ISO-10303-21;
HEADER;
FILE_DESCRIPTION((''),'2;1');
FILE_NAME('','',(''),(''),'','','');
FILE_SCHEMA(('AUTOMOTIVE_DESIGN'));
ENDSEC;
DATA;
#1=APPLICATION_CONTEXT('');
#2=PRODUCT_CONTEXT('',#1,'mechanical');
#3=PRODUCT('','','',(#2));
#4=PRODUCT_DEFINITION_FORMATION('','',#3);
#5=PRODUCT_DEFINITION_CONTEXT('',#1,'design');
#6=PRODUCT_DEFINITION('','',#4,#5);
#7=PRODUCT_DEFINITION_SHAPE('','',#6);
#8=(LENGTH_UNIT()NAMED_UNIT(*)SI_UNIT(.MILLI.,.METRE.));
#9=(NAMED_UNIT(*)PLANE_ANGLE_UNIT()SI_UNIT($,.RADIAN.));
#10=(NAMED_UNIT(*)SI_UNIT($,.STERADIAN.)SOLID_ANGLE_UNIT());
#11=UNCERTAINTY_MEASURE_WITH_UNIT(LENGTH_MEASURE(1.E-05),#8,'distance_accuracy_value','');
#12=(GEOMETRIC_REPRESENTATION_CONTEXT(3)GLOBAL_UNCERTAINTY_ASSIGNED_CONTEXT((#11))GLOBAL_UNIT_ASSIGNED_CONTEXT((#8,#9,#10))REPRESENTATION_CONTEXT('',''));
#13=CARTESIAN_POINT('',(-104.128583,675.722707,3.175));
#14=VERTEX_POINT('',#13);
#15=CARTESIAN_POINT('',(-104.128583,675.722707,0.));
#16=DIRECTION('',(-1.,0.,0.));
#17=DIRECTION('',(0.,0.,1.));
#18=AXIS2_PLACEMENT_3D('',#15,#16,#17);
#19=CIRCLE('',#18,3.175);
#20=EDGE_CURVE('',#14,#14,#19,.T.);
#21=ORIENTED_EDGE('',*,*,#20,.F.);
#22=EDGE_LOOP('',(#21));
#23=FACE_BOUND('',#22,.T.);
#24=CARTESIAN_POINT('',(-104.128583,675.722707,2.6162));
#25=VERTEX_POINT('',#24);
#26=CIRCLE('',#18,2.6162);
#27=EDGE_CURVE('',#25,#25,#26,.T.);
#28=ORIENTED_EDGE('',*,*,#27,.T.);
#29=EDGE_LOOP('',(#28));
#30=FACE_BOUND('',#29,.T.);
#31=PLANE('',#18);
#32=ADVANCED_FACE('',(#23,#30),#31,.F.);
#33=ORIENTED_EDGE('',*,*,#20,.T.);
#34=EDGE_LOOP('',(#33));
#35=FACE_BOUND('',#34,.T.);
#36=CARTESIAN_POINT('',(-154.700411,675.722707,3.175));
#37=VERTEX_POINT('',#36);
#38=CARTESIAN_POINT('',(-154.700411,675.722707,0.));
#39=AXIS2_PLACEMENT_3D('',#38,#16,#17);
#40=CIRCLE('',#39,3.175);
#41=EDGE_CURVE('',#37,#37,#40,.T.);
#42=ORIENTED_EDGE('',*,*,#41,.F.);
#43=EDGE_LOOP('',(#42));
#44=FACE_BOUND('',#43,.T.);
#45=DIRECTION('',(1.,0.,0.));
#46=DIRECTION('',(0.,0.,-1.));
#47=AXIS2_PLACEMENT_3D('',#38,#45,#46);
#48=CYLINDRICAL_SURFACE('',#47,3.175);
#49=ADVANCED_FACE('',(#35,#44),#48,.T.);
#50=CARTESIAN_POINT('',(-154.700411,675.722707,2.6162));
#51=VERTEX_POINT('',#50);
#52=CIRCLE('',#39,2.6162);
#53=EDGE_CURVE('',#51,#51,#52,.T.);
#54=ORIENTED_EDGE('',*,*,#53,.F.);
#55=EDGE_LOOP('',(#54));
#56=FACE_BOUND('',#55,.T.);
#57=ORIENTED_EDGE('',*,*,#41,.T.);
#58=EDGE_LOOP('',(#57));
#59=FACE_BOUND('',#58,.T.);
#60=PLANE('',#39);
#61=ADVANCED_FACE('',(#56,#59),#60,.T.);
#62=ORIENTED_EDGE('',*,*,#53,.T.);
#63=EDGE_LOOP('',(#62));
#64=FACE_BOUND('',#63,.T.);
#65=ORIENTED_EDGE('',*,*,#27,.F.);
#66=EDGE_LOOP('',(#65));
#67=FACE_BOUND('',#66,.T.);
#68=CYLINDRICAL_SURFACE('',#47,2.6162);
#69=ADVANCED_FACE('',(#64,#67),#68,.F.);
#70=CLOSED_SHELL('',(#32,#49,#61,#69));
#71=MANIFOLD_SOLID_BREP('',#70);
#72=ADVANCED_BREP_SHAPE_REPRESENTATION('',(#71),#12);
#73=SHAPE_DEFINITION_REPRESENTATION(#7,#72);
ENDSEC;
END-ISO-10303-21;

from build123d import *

# Parameters (mm, degrees)
SKETCH1_R               = 3.175
SKETCH1_R_2             = 2.6162
PIPE_0_5_SCH_40_1_DEPTH = 50.571827784


with BuildPart() as part:
    # Sketch1 → Pipe 0.5 SCH 40(1) (new body)
    with BuildSketch(Plane(origin=(-104.128583281, 675.722707309, 0), x_dir=(0, -1, 0), z_dir=(-1, 0, 0))):
        Circle(SKETCH1_R)
        Circle(SKETCH1_R_2, mode=Mode.SUBTRACT)
    extrude(amount=PIPE_0_5_SCH_40_1_DEPTH)


solid = part.part
